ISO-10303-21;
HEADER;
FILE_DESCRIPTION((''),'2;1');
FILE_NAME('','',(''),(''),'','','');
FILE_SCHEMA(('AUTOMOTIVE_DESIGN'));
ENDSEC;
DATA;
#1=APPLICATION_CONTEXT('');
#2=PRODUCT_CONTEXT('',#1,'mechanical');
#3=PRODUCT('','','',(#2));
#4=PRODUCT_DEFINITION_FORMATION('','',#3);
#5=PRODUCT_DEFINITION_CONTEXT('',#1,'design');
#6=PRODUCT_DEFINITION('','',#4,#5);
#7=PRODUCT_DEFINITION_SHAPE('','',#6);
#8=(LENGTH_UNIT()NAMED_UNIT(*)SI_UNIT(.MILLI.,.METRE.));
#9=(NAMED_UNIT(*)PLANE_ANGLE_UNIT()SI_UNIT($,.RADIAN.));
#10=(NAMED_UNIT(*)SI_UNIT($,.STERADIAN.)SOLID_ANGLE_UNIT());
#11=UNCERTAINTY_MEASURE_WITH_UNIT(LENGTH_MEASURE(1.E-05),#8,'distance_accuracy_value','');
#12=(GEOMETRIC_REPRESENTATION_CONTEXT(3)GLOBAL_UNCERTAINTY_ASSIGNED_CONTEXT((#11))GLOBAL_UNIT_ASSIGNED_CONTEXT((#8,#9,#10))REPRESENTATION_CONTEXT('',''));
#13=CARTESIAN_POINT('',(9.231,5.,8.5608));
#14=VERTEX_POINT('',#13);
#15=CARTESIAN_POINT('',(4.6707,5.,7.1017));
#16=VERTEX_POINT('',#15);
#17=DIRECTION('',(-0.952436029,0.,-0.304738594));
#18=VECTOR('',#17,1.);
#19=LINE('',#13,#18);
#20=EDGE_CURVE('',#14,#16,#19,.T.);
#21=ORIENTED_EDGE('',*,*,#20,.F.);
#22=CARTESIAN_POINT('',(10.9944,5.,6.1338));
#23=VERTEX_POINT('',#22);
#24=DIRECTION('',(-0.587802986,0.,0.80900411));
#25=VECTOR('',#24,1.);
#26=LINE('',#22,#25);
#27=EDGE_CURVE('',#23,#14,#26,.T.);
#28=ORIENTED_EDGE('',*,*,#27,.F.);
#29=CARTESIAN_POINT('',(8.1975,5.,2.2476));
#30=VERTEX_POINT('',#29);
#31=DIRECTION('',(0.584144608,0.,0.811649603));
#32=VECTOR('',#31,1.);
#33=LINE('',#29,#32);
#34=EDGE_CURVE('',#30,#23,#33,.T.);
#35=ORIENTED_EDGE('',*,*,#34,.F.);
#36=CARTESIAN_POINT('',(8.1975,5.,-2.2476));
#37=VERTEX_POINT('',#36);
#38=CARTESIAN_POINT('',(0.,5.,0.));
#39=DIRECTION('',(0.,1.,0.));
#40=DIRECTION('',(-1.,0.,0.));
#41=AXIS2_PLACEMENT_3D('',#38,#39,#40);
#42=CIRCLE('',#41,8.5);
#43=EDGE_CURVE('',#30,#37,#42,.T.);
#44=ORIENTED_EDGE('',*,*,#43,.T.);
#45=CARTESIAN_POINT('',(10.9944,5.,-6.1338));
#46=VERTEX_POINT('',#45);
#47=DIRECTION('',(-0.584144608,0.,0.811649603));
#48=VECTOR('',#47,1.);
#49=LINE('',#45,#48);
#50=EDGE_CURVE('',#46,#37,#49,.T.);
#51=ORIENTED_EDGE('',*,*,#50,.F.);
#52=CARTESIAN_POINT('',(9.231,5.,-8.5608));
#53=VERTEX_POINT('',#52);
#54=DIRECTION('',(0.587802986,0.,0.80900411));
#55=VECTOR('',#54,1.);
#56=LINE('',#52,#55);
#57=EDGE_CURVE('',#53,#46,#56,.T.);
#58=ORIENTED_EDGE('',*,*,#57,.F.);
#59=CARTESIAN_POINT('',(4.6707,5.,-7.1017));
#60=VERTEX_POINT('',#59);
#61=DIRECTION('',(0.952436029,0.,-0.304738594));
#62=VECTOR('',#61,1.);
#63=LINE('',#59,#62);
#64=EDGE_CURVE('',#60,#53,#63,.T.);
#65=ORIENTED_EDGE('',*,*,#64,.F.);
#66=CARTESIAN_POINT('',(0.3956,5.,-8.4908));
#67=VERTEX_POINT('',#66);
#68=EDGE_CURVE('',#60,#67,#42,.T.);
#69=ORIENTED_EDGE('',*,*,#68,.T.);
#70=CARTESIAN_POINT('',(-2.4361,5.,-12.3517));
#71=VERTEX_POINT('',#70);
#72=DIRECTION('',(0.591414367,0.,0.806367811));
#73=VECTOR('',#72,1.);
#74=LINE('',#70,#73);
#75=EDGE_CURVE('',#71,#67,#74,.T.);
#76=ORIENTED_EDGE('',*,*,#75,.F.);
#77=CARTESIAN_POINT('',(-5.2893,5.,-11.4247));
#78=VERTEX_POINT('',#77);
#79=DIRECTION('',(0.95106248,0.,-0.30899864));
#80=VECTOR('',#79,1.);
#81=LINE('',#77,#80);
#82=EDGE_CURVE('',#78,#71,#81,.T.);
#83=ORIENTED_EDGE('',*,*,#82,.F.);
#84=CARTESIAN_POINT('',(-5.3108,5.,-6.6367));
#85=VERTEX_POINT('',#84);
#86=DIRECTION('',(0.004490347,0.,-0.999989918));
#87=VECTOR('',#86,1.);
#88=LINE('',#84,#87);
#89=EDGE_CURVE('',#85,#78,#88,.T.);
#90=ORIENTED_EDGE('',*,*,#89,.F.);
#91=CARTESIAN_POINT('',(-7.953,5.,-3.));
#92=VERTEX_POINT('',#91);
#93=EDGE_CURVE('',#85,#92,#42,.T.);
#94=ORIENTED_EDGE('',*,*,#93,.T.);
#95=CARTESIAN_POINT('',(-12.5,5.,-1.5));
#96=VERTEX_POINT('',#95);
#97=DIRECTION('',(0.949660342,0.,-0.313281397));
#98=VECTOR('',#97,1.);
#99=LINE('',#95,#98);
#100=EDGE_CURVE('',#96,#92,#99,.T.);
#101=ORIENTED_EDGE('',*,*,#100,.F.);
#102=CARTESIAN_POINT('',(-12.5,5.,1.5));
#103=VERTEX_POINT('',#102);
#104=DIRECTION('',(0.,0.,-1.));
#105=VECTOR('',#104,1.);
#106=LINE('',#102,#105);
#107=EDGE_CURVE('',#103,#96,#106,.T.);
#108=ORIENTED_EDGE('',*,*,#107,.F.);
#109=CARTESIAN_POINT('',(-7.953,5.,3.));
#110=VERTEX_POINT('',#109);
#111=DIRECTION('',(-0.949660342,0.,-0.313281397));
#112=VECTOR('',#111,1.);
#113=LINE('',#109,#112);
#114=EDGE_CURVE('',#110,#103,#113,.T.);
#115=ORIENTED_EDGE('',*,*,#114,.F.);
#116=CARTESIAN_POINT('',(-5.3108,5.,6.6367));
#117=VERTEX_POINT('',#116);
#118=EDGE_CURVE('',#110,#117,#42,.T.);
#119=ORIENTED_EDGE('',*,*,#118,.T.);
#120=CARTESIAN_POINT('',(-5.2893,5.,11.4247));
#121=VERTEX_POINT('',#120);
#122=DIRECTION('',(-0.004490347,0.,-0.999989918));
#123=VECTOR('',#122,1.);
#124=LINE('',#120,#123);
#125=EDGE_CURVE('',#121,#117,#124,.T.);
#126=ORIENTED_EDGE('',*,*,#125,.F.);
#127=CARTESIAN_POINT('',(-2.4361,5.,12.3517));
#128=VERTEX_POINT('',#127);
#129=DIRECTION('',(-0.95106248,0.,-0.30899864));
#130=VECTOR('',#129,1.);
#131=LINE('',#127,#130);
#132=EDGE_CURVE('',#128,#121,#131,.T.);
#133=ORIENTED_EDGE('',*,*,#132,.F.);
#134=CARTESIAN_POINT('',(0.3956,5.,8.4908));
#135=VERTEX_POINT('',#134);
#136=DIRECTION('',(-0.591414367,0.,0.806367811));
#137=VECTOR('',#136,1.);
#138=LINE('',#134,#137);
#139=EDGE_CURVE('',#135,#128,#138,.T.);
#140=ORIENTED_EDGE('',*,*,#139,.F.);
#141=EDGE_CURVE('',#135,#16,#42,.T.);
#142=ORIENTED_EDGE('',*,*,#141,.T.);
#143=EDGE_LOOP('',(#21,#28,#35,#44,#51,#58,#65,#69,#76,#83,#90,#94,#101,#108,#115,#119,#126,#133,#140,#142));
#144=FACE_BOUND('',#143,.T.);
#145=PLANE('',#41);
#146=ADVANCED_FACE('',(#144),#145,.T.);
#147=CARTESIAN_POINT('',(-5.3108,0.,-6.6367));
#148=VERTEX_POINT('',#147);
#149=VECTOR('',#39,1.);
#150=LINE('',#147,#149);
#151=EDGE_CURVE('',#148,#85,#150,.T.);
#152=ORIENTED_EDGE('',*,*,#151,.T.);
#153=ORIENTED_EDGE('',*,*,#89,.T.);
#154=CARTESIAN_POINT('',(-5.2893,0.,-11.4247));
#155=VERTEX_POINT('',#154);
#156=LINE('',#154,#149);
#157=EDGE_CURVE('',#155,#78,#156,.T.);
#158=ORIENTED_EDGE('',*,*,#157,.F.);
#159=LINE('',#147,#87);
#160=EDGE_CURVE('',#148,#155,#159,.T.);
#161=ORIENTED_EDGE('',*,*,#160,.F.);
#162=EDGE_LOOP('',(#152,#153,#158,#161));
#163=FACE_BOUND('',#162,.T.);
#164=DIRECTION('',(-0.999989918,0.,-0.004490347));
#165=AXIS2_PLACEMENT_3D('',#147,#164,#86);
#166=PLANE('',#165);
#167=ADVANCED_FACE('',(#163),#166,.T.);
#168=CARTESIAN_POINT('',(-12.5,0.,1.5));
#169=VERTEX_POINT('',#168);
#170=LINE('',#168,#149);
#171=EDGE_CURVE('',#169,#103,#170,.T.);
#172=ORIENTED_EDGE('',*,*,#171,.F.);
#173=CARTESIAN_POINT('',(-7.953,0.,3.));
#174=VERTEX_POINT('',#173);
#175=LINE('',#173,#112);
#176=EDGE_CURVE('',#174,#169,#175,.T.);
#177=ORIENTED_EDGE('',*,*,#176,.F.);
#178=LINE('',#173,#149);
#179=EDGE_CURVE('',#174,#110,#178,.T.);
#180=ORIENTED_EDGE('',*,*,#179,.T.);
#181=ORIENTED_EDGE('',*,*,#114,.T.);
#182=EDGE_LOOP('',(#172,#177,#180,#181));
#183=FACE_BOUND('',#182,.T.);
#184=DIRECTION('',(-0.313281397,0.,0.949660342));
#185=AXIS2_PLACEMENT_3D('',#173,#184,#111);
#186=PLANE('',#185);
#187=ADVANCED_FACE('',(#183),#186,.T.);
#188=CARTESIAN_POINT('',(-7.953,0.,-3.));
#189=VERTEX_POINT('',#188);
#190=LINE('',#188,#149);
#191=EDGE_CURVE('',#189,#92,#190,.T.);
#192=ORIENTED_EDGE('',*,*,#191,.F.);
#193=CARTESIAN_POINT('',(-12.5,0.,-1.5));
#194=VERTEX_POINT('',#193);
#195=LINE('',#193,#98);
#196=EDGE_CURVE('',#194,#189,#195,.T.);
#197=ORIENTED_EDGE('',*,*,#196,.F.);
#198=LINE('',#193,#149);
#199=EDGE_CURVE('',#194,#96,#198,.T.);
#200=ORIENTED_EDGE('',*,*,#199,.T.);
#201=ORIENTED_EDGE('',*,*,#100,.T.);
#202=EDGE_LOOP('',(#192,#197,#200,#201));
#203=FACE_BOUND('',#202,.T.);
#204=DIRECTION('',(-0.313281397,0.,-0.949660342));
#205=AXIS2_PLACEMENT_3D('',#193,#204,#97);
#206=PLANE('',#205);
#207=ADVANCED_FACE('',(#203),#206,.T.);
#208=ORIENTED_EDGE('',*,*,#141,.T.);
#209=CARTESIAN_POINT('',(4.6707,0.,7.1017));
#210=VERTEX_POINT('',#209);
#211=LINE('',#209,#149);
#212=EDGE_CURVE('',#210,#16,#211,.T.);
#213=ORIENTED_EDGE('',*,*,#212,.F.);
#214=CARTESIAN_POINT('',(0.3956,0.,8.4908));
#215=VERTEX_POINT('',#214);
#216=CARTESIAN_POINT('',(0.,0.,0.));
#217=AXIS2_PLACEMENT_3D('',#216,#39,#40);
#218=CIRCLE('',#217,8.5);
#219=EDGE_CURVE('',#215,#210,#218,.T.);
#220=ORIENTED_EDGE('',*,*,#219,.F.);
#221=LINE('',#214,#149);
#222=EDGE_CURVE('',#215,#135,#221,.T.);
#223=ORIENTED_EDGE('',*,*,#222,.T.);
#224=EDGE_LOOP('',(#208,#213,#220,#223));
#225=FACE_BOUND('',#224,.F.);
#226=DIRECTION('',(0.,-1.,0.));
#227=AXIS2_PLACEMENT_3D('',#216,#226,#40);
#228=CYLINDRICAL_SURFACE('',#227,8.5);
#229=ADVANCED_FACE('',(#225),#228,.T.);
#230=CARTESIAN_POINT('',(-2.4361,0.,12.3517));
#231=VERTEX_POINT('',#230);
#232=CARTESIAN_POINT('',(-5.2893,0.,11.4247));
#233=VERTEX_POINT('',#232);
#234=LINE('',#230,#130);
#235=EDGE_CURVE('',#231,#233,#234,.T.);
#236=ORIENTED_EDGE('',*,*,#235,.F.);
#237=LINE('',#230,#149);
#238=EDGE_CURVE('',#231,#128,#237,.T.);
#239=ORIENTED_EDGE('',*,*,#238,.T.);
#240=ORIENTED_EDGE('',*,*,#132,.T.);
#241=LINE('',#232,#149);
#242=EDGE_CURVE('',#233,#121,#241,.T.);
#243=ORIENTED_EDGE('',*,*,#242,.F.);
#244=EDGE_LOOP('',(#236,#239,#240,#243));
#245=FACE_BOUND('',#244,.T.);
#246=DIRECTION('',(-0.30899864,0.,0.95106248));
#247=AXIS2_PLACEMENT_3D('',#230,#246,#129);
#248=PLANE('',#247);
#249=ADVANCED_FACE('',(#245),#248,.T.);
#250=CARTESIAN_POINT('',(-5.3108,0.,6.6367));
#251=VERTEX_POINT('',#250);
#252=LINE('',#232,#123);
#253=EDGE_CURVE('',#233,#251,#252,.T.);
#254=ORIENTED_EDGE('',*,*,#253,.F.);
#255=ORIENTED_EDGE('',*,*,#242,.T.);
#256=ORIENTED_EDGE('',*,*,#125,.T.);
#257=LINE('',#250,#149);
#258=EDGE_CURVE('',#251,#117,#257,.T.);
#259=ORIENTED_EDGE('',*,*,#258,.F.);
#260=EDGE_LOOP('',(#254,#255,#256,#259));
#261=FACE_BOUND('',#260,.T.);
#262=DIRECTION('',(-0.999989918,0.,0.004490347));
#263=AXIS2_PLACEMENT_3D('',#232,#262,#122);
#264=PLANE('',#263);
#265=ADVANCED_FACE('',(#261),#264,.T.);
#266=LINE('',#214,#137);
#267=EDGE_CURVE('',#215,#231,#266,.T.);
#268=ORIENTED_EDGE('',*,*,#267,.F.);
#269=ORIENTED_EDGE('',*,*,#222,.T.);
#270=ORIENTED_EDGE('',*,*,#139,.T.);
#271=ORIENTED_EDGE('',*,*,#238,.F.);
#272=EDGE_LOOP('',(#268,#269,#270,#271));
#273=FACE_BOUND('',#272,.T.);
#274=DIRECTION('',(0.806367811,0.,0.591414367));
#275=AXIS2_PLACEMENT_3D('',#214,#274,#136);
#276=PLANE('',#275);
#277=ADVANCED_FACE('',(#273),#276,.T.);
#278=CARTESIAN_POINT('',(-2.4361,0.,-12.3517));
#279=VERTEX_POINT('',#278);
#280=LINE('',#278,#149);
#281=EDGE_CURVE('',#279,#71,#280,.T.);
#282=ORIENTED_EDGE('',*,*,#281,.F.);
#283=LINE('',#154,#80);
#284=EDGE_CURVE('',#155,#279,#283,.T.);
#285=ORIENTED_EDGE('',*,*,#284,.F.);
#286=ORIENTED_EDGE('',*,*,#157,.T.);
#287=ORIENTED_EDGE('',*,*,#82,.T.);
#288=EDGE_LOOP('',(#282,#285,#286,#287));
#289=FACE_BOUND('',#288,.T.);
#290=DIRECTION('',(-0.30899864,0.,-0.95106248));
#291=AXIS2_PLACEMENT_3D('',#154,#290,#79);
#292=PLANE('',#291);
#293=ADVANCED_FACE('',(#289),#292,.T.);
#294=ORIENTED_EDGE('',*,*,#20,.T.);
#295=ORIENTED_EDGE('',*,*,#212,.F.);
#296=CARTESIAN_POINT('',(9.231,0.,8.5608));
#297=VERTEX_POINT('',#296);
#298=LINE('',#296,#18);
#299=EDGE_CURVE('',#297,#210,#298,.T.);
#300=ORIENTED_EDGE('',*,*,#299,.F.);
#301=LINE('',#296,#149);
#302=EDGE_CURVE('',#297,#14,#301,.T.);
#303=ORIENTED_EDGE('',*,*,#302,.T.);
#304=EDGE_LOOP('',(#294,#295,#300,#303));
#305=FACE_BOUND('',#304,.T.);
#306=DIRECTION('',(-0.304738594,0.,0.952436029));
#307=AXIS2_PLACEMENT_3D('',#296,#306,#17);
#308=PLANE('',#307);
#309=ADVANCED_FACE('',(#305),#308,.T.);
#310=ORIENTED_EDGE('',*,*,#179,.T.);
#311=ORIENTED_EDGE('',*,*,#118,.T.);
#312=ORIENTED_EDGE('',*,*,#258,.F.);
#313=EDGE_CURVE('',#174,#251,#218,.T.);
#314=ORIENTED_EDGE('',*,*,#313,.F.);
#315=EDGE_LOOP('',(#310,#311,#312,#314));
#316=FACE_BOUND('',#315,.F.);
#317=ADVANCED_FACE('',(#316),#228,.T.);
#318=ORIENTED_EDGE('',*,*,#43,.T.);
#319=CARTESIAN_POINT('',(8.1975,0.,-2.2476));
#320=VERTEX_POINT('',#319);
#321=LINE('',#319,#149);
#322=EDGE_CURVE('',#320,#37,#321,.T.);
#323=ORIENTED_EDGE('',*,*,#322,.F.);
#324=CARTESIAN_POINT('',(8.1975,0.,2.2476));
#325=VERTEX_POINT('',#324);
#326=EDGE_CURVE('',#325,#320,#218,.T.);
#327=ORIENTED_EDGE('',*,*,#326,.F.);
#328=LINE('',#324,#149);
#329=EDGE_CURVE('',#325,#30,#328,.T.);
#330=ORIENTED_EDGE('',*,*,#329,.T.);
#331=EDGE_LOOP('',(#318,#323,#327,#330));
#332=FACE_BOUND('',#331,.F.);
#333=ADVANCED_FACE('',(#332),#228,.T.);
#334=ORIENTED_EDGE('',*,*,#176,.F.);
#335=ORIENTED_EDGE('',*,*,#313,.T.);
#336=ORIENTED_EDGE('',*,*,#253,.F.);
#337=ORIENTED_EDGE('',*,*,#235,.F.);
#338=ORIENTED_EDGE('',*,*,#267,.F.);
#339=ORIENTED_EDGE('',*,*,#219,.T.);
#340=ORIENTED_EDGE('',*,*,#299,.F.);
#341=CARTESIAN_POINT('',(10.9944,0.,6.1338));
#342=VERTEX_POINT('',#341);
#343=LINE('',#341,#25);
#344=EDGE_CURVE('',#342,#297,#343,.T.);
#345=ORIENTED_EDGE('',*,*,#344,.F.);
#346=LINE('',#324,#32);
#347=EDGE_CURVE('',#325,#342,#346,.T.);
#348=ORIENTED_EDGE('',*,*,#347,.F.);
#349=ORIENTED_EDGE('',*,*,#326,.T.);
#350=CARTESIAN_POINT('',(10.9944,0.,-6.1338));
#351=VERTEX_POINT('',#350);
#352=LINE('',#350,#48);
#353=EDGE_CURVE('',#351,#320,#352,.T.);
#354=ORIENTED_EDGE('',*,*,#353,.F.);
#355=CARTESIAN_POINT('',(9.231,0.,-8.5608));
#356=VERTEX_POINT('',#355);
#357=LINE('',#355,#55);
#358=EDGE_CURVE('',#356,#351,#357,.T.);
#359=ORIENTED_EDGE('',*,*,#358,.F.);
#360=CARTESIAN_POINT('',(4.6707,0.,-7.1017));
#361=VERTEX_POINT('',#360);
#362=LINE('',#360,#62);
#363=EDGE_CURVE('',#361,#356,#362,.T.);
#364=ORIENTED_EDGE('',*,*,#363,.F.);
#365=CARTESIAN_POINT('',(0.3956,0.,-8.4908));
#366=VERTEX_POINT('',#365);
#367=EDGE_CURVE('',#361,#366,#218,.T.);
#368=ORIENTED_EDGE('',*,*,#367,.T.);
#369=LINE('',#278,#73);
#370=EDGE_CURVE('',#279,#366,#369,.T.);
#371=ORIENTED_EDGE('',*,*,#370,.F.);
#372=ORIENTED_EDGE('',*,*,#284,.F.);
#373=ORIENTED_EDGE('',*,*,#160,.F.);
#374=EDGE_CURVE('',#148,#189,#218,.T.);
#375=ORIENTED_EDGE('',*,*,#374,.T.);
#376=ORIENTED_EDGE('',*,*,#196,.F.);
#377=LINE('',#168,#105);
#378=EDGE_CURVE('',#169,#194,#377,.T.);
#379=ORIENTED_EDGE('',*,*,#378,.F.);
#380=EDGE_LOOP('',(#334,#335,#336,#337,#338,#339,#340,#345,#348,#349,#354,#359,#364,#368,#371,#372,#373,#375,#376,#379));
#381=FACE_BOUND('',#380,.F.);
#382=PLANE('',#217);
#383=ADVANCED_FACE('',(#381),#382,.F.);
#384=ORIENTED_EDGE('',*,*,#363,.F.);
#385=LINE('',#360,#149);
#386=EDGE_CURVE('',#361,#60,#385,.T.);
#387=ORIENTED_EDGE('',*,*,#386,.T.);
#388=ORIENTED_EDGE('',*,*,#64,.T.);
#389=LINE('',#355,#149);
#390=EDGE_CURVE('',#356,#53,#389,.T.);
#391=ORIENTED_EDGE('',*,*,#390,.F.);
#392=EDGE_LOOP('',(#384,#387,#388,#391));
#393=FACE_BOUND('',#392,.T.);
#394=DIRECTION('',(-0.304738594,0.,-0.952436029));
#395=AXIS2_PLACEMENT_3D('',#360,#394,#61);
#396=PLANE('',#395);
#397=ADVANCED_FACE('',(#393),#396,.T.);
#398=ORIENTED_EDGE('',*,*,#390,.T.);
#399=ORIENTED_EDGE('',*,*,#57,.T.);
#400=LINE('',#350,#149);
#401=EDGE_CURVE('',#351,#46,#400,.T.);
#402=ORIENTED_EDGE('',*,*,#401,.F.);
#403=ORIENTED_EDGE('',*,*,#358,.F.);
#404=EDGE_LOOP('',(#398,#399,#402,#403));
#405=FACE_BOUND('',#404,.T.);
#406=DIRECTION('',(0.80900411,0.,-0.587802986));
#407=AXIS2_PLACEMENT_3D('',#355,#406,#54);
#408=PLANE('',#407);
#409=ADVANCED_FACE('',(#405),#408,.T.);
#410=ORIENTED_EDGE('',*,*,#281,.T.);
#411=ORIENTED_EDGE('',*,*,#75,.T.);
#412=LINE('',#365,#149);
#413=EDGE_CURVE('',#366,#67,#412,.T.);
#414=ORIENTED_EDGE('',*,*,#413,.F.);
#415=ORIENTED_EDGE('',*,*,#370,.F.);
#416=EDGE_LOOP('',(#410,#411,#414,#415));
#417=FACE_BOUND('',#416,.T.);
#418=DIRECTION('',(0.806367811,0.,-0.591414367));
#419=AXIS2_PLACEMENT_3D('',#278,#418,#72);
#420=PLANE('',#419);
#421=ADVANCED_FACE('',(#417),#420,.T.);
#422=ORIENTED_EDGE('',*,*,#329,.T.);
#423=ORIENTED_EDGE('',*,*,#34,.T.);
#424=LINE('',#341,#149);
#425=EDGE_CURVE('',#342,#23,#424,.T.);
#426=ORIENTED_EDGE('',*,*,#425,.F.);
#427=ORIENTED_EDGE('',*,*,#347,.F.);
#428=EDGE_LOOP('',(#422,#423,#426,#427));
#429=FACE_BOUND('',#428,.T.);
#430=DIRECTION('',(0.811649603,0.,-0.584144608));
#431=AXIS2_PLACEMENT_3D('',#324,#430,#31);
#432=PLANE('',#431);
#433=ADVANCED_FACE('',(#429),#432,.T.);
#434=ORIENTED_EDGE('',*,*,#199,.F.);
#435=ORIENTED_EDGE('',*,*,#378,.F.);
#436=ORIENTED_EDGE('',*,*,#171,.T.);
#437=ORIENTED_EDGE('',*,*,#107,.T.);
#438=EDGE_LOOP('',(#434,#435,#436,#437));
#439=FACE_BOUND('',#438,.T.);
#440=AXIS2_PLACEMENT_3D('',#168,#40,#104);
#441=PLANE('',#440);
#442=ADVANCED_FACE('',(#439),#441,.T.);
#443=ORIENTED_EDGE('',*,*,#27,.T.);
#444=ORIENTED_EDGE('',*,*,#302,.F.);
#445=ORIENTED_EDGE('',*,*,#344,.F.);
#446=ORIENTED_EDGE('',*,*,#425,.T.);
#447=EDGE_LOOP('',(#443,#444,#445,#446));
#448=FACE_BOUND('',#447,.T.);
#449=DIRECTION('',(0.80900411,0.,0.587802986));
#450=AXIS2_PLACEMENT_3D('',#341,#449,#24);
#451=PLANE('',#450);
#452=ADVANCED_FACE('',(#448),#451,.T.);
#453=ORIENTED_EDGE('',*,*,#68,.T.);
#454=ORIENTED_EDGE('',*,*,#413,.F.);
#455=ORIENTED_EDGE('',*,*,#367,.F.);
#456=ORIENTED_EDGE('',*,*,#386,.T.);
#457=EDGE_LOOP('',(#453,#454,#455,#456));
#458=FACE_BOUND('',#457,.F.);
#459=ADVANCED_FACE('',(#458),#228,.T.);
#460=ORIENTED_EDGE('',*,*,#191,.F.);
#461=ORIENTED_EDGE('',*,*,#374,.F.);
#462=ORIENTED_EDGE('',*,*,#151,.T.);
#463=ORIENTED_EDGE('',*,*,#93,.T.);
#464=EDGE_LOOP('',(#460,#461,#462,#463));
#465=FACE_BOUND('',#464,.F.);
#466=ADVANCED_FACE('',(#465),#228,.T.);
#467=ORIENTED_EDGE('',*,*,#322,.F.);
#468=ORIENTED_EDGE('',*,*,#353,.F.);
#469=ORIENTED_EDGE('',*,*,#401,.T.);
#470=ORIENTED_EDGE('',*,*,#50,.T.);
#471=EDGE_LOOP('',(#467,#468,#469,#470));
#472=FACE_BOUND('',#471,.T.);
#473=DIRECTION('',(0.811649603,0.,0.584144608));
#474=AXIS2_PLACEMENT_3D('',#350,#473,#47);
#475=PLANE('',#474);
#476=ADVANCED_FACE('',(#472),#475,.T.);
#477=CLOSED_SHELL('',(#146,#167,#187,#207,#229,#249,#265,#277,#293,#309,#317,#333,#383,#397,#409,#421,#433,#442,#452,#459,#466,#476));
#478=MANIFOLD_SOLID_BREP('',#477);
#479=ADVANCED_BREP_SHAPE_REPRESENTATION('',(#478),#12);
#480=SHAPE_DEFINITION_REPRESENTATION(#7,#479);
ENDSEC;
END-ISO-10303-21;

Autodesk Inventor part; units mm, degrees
ref_plane "YZ Plane" through (0, 0, 0) normal (1, 0, 0) x (0, 1, 0)
ref_plane "XZ Plane" through (0, 0, 0) normal (0, 1, 0) x (-1, 0, 0)
ref_plane "XY Plane" through (0, 0, 0) normal (0, 0, 1) x (1, 0, 0)
sketch "Sketch1" plane through (0, 0, 0) normal (0, 1, 0) x (-1, 0, 0)
  circle A0 centre (0, 0) radius 8.5
  line L0 (7.953, 3) -> (12.5, 1.5)
  line L1 (12.5, 1.5) -> (12.5, -1.5)
  line L2 (12.5, -1.5) -> (7.953, -3)
  line L3 (5.2893, 11.4247) -> (5.3108, 6.6367)
  line L4 (-0.3956, 8.4908) -> (2.4361, 12.3517)
  line L5 (2.4361, 12.3517) -> (5.2893, 11.4247)
  line L6 (-9.231, 8.5608) -> (-4.6707, 7.1017)
  line L7 (-8.1975, 2.2476) -> (-10.9944, 6.1338)
  line L8 (-10.9944, 6.1338) -> (-9.231, 8.5608)
  line L9 (-10.9944, -6.1338) -> (-8.1975, -2.2476)
  line L10 (-4.6707, -7.1017) -> (-9.231, -8.5608)
  line L11 (-9.231, -8.5608) -> (-10.9944, -6.1338)
  line L12 (2.4361, -12.3517) -> (-0.3956, -8.4908)
  line L13 (5.3108, -6.6367) -> (5.2893, -11.4247)
  line L14 (5.2893, -11.4247) -> (2.4361, -12.3517)
  point P0 (-0.3956, -8.4908)
  dimension "d0" = 17
  dimension "d1" = 3
  dimension "d2" = 4
  dimension "d3" = 6
  dimension "d4" = 108.257
  dimension "d5" = 108.257
  dimension "d8" = 360
extrude "Extrusion1" add sketch "Sketch1" along normal blind 5
equation "\"d4\" = d5"
properties part number "AP-1-01-spur5tooth"
